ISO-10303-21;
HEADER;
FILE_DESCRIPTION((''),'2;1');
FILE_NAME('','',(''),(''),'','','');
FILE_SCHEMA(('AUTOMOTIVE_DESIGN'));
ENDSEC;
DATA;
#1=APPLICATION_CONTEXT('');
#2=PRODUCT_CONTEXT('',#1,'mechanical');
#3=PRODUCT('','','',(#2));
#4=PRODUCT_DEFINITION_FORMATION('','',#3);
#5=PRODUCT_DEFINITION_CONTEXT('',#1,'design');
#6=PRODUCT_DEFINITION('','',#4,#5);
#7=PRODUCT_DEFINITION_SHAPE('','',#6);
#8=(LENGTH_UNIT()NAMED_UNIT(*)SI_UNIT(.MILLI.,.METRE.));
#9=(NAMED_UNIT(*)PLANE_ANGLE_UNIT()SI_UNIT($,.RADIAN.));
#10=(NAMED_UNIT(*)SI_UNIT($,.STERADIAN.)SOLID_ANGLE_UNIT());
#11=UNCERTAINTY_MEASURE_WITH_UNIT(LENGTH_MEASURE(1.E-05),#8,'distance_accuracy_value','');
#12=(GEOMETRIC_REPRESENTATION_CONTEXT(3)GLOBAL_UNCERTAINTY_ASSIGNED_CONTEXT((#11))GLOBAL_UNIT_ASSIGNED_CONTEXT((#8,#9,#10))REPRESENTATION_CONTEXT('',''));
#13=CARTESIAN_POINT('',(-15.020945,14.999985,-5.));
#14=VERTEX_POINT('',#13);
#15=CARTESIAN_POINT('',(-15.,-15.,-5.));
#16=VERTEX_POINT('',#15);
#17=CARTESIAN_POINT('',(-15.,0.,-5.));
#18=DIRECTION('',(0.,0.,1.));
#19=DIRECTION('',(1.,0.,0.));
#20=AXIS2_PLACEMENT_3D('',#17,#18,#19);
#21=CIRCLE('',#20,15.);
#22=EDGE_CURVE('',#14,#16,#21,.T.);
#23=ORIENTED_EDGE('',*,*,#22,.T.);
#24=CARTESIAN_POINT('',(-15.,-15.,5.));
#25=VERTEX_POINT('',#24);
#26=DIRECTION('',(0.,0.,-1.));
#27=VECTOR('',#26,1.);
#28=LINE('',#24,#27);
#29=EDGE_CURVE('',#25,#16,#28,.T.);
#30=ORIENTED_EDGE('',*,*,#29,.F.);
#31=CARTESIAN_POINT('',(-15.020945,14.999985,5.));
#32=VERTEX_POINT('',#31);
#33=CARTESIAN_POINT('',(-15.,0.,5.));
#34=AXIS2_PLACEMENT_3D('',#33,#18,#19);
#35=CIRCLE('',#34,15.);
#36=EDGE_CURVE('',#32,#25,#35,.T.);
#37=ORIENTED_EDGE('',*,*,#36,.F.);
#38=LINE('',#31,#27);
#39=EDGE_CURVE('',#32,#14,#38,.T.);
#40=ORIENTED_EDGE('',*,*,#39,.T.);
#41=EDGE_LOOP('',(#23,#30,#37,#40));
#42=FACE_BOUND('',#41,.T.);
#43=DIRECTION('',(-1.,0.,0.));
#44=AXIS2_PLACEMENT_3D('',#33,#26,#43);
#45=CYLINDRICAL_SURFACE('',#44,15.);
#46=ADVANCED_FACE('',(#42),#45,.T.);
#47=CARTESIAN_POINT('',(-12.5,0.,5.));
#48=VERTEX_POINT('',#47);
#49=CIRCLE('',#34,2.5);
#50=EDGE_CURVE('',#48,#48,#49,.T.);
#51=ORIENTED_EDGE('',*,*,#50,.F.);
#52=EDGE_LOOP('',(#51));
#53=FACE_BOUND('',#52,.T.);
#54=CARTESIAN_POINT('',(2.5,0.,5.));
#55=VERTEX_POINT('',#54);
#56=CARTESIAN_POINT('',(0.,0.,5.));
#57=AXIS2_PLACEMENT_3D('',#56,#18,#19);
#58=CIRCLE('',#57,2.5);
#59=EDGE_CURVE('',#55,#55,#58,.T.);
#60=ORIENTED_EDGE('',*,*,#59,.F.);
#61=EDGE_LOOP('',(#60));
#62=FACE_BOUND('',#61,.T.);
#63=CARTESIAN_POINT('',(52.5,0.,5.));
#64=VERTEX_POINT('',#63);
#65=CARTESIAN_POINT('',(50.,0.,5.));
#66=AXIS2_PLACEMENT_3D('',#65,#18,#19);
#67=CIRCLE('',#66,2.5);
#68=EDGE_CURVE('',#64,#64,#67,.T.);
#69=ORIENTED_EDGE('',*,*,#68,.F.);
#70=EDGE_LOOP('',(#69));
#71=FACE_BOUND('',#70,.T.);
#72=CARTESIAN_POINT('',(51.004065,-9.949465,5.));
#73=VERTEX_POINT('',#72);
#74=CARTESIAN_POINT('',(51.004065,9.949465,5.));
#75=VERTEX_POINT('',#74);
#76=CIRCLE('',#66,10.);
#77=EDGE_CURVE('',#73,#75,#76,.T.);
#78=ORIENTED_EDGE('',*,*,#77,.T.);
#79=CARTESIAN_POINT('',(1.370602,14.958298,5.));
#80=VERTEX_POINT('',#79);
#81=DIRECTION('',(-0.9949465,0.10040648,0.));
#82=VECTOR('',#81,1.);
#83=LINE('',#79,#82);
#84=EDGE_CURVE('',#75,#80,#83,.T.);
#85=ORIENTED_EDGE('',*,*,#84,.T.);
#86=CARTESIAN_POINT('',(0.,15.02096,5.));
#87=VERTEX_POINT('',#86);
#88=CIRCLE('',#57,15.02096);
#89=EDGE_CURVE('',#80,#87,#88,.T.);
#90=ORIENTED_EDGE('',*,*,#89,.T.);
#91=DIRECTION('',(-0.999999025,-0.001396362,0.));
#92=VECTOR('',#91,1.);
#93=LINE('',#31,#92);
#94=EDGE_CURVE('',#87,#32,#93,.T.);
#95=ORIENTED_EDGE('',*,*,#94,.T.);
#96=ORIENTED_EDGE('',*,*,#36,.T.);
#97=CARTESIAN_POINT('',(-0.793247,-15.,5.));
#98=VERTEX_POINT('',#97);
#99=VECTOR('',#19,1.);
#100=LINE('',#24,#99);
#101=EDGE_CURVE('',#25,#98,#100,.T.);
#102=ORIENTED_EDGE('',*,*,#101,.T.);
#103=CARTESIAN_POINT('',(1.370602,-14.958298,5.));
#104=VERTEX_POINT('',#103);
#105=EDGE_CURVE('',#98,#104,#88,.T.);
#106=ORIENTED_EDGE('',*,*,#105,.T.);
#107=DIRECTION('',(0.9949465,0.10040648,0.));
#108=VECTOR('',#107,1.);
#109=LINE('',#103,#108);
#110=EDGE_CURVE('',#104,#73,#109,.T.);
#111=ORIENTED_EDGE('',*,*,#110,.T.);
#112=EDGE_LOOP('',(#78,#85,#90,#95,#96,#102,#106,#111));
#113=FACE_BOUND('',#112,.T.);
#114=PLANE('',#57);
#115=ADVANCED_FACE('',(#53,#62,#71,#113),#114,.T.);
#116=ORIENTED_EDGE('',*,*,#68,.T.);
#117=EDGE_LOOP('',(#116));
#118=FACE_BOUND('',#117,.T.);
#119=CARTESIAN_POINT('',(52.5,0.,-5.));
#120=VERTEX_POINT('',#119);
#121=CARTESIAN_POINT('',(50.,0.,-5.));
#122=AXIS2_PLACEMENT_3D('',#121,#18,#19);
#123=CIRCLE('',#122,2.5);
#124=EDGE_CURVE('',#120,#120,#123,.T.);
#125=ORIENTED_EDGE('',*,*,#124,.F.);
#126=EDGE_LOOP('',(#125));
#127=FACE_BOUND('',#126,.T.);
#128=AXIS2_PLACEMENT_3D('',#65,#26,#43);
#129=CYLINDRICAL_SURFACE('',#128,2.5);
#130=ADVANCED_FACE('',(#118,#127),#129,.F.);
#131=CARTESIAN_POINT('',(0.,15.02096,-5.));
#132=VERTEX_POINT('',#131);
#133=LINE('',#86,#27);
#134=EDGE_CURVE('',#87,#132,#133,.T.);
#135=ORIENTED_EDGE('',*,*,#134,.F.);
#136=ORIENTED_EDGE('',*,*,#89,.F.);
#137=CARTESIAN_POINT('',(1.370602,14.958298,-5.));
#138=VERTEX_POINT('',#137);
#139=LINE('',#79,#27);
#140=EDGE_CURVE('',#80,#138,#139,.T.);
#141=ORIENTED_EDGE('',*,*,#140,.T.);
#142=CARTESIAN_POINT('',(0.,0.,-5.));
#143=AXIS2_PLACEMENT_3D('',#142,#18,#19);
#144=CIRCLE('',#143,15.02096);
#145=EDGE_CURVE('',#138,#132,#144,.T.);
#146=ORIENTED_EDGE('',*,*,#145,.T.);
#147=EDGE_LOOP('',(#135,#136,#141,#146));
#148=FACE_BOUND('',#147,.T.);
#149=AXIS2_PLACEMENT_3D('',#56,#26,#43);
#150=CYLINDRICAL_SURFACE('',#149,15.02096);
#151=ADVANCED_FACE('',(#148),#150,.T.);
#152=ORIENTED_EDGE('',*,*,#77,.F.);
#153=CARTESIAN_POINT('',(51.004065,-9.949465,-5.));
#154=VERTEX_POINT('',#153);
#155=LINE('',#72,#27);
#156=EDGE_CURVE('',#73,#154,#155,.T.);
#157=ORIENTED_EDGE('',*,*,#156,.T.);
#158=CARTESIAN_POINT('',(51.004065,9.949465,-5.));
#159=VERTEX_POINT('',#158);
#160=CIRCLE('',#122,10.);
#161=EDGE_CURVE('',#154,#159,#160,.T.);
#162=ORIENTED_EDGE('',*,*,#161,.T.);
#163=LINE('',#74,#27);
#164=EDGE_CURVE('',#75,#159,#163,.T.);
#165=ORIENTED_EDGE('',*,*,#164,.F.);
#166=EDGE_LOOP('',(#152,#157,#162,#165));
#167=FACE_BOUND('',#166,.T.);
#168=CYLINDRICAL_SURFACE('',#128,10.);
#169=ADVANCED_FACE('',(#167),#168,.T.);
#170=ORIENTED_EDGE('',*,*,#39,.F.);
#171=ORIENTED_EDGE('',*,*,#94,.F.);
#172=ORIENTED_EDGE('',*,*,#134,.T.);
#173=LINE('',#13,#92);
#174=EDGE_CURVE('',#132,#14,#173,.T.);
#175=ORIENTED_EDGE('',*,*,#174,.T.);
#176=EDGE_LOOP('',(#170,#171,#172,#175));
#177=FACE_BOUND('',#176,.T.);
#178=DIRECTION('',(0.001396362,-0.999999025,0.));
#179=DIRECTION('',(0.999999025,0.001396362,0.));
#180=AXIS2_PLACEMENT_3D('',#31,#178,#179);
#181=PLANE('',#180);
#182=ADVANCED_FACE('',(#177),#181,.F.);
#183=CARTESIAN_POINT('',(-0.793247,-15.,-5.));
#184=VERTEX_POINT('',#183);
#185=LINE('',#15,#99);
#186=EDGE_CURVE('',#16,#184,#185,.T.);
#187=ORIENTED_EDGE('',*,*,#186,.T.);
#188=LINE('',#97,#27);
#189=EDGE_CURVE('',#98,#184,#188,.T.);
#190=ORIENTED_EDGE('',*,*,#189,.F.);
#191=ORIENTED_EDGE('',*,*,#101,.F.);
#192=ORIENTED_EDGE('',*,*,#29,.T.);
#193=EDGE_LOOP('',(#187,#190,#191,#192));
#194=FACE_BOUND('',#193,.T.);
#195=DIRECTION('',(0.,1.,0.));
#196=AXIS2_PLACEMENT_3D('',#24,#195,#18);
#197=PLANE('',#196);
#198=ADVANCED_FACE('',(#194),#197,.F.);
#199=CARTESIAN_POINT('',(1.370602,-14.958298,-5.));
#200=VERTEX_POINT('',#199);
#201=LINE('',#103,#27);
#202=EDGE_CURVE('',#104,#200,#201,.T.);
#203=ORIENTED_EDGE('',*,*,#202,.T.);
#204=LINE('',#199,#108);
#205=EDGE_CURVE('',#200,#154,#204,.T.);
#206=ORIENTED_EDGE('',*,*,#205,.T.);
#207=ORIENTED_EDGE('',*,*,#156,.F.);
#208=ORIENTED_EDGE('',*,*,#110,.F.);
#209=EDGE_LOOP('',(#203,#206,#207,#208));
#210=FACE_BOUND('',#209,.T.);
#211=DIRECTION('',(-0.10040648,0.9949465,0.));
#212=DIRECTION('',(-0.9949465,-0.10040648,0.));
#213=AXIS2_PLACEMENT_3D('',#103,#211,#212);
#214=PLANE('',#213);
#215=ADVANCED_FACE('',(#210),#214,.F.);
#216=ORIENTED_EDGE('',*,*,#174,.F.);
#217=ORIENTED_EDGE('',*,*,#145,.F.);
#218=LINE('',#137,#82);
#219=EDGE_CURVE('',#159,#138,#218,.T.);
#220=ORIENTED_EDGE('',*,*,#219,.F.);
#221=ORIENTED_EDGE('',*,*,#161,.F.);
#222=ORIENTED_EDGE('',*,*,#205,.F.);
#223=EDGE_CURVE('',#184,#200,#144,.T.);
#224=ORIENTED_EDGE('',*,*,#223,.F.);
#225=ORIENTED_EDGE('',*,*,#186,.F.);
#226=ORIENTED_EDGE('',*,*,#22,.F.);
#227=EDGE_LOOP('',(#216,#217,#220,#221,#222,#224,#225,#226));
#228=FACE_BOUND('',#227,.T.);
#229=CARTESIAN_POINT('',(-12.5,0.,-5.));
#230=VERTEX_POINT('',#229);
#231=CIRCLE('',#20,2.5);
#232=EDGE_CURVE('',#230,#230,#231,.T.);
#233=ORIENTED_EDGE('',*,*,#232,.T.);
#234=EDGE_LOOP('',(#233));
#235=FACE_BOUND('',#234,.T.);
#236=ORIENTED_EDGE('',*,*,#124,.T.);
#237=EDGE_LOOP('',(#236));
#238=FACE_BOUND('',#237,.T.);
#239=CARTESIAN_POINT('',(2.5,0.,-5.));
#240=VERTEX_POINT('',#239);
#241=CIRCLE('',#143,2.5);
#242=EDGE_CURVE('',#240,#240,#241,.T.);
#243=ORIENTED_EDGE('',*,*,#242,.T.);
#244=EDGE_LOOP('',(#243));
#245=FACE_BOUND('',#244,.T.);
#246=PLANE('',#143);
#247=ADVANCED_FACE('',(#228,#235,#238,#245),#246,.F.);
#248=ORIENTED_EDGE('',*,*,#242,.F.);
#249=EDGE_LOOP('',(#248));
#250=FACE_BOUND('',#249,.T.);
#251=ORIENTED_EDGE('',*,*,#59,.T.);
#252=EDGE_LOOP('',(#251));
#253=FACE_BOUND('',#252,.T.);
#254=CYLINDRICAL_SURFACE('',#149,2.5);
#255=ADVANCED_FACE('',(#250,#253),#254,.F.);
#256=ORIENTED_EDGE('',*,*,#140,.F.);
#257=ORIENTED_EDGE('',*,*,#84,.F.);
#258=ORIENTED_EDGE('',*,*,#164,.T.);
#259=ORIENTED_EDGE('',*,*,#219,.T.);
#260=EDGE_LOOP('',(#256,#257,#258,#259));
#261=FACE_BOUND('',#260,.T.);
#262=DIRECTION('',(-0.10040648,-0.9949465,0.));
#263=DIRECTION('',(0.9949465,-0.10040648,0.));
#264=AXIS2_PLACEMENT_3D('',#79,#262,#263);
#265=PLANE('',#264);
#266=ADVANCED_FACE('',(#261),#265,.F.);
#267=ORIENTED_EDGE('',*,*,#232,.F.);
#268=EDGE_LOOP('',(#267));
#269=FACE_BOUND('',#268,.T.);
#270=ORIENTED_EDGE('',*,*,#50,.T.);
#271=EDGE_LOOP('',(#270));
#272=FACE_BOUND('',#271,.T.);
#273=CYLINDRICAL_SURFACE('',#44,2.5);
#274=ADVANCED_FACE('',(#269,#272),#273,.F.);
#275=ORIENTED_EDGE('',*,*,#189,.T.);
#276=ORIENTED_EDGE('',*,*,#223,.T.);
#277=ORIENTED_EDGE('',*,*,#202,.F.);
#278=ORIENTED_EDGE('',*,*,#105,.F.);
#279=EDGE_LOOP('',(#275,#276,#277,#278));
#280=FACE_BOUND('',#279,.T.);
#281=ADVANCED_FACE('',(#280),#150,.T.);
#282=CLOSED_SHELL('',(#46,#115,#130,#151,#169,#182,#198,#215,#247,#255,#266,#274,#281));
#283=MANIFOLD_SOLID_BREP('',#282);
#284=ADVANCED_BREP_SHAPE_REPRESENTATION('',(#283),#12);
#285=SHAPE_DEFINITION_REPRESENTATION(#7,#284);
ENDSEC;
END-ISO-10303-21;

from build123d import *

# Parameters (mm, degrees)
SKETCH1_R           = 2.5
BOSS_EXTRUDE1_DEPTH = 5


with BuildPart() as part:
    # Sketch1 → Boss-Extrude1 (new, symmetric)
    with BuildSketch(Plane.XY):
        with BuildLine():
            Line((1.370602209, 14.9582984), (51.004064798, 9.949465005))
            ThreePointArc((51.004064798, 9.949465005), (60, 0), (51.004064798, -9.949465005))
            Line((51.004064798, -9.949465005), (1.370602209, -14.9582984))
            ThreePointArc((1.370602209, -14.9582984), (0.289429434, -15.018171395), (-0.793247409, -15))
            Line((-0.793247409, -15), (-15, -15))
            ThreePointArc((-15, -15), (-29.999996344, -0.010472716), (-15.020945427, 14.999985376))
            Line((-15.020945427, 14.999985376), (0, 15.020960071))
            ThreePointArc((0, 15.020960071), (0.686016928, 15.005286476), (1.370602209, 14.9582984))
        make_face()
        with Locations((-15, 0)):
            Circle(SKETCH1_R, mode=Mode.SUBTRACT)
        Circle(SKETCH1_R, mode=Mode.SUBTRACT)
        with Locations((50, 0)):
            Circle(SKETCH1_R, mode=Mode.SUBTRACT)
    extrude(amount=BOSS_EXTRUDE1_DEPTH, both=True)


solid = part.part
